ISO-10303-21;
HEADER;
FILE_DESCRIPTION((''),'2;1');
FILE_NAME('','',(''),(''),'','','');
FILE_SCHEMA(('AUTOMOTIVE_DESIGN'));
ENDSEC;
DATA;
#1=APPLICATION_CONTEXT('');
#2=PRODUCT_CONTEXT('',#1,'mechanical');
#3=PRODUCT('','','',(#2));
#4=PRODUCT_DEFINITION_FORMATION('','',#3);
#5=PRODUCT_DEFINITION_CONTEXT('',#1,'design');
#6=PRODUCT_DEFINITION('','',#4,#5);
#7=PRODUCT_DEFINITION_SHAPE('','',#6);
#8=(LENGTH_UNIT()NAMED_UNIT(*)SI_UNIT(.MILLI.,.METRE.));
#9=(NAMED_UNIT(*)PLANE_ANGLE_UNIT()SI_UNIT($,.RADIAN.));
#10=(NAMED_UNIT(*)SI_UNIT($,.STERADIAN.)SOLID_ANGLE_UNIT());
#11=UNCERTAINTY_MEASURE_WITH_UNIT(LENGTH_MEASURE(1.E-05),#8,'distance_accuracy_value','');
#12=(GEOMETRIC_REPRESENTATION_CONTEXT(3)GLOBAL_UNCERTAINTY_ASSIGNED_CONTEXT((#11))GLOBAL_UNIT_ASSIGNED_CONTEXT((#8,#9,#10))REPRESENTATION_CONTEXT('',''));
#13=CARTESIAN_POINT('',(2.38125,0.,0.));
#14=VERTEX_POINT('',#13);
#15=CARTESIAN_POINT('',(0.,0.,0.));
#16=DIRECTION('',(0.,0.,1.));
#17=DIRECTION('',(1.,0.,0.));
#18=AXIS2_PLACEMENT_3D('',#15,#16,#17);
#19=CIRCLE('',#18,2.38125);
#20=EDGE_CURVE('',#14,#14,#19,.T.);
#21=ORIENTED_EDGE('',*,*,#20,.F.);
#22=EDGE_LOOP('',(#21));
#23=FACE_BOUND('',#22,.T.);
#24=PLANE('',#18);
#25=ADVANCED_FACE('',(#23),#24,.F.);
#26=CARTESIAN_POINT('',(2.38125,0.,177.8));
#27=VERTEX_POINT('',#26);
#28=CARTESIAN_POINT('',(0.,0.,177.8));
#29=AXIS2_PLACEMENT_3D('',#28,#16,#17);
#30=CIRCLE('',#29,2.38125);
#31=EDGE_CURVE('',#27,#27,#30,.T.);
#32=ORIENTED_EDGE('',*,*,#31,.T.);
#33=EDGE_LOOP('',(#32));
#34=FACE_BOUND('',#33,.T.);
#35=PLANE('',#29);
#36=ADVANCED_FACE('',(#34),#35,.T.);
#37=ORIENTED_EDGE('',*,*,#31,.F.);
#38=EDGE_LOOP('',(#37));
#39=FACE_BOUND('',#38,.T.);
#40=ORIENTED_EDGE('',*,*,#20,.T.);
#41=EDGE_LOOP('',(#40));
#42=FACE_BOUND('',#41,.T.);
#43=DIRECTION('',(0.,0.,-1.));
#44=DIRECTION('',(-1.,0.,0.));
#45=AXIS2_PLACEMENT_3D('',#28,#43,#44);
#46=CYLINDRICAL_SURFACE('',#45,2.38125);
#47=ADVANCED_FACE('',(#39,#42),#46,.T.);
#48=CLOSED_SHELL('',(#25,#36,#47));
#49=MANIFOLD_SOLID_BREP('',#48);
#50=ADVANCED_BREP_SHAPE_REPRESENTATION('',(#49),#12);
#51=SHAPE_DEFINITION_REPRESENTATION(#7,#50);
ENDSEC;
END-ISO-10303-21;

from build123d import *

# Parameters (mm, degrees)
SKETCH1_R           = 2.38125
BOSS_EXTRUDE1_DEPTH = 177.8


with BuildPart() as part:
    # Sketch1 → Boss-Extrude1 (new body)
    with BuildSketch(Plane.XY):
        Circle(SKETCH1_R)
    extrude(amount=BOSS_EXTRUDE1_DEPTH)


solid = part.part
